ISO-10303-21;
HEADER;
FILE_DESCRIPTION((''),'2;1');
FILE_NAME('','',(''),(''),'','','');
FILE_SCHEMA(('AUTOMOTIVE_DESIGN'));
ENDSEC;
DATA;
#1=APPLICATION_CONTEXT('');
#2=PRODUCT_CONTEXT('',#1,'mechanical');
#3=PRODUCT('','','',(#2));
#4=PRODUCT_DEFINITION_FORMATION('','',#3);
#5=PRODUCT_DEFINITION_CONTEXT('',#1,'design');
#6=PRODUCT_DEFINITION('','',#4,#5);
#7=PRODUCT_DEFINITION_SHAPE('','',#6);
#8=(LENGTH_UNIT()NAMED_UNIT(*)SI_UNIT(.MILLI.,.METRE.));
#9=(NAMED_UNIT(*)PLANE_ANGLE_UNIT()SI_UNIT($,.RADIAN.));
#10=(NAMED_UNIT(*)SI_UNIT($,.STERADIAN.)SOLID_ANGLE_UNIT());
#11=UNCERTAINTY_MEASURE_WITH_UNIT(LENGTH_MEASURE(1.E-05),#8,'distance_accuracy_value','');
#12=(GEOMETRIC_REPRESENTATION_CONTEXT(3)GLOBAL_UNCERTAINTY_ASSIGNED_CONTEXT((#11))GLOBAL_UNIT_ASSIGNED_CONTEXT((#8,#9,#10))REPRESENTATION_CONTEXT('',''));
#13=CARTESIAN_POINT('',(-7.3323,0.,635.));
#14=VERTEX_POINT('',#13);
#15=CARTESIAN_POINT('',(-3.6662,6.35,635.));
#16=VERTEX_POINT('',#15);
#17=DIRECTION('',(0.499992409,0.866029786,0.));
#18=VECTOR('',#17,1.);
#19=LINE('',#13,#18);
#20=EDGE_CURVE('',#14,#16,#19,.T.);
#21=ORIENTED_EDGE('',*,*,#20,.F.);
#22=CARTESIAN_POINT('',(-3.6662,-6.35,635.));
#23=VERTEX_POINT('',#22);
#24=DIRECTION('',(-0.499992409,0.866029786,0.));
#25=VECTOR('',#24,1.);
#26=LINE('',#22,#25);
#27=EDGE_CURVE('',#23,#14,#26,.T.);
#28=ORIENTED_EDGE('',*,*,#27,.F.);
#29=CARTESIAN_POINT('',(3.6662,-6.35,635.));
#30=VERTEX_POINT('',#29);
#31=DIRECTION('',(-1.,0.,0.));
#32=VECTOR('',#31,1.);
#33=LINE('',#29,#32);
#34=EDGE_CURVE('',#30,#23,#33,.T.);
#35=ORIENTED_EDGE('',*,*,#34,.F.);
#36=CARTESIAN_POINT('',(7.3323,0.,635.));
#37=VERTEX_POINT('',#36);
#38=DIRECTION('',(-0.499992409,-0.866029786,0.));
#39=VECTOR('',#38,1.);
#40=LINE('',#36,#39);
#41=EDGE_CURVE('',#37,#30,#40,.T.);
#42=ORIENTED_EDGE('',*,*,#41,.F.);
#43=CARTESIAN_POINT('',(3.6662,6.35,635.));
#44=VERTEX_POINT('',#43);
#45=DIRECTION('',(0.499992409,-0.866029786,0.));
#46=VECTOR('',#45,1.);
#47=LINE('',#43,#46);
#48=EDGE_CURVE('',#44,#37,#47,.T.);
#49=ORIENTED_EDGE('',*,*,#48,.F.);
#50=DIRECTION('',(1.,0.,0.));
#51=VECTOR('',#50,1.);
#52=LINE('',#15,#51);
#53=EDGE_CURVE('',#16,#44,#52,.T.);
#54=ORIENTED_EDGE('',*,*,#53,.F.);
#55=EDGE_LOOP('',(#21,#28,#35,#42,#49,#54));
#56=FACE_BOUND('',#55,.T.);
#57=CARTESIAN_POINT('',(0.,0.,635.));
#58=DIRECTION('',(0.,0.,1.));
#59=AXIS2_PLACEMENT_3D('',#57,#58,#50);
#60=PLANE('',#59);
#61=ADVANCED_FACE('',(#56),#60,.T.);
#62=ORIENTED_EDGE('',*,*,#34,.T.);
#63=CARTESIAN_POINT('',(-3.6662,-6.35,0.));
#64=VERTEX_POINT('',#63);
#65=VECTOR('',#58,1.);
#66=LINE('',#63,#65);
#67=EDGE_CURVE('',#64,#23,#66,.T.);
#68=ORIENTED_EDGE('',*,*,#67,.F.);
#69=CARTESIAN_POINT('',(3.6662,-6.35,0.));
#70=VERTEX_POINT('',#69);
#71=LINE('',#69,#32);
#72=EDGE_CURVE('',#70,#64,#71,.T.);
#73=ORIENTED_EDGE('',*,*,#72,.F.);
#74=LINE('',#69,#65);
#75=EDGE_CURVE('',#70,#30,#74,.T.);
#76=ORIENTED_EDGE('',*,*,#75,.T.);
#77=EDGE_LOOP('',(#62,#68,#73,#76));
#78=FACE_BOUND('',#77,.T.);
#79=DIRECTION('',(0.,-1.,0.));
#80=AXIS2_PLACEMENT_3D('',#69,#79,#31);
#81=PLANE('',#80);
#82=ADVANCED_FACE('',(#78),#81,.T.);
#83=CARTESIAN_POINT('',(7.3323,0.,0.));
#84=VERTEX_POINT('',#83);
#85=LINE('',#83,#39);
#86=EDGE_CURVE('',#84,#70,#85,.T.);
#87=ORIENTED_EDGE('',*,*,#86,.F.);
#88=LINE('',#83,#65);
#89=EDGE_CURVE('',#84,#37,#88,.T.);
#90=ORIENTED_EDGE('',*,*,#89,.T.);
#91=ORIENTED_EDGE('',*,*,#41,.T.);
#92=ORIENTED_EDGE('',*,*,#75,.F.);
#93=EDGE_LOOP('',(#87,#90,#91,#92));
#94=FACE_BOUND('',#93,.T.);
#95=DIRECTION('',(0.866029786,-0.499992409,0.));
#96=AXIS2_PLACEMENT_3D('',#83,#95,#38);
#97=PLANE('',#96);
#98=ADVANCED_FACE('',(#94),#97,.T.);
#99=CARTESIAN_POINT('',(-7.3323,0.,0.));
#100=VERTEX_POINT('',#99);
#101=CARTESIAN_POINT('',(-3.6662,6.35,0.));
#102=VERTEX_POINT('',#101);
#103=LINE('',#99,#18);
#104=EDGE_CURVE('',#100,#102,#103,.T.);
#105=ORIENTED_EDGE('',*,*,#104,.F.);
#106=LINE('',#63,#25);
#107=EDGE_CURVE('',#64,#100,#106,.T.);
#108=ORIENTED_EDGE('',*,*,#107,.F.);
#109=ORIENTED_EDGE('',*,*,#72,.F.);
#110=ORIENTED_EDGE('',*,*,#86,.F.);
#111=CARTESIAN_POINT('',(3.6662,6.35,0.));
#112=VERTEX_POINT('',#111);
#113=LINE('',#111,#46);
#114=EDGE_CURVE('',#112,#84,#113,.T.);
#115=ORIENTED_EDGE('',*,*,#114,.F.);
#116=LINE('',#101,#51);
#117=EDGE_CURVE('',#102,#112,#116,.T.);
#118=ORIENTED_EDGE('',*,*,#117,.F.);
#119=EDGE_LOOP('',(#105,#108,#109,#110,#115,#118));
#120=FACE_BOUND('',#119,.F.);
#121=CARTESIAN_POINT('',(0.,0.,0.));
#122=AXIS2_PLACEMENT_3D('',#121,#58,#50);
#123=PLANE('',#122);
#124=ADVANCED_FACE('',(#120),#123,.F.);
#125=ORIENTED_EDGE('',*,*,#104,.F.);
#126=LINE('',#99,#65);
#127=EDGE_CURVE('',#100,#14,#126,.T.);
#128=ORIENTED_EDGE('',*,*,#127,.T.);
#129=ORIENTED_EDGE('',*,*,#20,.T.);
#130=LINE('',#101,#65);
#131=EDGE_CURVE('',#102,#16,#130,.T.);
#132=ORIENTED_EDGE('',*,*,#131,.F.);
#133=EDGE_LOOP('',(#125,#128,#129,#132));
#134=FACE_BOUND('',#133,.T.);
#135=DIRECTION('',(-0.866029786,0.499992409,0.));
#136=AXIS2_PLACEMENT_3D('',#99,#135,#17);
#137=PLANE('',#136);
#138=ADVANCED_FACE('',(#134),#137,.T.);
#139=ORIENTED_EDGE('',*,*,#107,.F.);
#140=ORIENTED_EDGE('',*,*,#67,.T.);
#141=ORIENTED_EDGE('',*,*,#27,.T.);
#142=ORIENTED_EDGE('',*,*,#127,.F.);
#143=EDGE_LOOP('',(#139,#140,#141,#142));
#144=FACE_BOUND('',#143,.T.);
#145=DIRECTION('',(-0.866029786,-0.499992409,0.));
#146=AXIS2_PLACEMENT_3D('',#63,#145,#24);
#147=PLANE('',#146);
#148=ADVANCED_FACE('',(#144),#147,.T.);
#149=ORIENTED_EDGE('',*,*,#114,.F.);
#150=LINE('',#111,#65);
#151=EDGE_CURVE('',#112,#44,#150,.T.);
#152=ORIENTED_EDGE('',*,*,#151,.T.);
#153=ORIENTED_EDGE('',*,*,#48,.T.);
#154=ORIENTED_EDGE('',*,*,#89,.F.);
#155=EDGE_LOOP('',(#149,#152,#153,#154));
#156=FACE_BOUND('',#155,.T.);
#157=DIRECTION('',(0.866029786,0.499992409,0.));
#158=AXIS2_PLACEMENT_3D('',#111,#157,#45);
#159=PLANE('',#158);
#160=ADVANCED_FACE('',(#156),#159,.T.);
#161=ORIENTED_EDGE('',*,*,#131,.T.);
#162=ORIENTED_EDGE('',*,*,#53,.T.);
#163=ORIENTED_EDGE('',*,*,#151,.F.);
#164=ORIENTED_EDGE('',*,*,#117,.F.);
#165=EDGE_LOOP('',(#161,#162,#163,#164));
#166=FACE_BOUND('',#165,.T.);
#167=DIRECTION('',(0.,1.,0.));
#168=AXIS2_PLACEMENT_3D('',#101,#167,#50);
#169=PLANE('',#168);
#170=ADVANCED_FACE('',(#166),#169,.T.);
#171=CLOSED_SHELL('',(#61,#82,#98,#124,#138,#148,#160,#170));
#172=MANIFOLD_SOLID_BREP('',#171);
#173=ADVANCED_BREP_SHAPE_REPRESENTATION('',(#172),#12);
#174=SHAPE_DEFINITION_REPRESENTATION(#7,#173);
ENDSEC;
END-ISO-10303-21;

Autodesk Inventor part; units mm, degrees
ref_plane "YZ Plane" through (0, 0, 0) normal (1, 0, 0) x (0, 1, 0)
ref_plane "XZ Plane" through (0, 0, 0) normal (0, 1, 0) x (-1, 0, 0)
ref_plane "XY Plane" through (0, 0, 0) normal (0, 0, 1) x (1, 0, 0)
sketch "Sketch1" plane through (0, 0, 0) normal (0, 0, 1) x (1, 0, 0)
  line L0 (3.6662, 6.35) -> (7.3323, 0)
  line L1 (7.3323, 0) -> (3.6662, -6.35)
  line L2 (3.6662, -6.35) -> (-3.6662, -6.35)
  line L3 (-3.6662, -6.35) -> (-7.3323, 0)
  line L4 (-7.3323, 0) -> (-3.6662, 6.35)
  line L5 (-3.6662, 6.35) -> (3.6662, 6.35)
  point P0 (0, 0)
  point P1 (0, 0)
  dimension "d0" = 12.7
extrude "Extrusion1" add sketch "Sketch1" along normal blind 635
properties part number "hex rod 24 inch" material "Steel, Alloy"
